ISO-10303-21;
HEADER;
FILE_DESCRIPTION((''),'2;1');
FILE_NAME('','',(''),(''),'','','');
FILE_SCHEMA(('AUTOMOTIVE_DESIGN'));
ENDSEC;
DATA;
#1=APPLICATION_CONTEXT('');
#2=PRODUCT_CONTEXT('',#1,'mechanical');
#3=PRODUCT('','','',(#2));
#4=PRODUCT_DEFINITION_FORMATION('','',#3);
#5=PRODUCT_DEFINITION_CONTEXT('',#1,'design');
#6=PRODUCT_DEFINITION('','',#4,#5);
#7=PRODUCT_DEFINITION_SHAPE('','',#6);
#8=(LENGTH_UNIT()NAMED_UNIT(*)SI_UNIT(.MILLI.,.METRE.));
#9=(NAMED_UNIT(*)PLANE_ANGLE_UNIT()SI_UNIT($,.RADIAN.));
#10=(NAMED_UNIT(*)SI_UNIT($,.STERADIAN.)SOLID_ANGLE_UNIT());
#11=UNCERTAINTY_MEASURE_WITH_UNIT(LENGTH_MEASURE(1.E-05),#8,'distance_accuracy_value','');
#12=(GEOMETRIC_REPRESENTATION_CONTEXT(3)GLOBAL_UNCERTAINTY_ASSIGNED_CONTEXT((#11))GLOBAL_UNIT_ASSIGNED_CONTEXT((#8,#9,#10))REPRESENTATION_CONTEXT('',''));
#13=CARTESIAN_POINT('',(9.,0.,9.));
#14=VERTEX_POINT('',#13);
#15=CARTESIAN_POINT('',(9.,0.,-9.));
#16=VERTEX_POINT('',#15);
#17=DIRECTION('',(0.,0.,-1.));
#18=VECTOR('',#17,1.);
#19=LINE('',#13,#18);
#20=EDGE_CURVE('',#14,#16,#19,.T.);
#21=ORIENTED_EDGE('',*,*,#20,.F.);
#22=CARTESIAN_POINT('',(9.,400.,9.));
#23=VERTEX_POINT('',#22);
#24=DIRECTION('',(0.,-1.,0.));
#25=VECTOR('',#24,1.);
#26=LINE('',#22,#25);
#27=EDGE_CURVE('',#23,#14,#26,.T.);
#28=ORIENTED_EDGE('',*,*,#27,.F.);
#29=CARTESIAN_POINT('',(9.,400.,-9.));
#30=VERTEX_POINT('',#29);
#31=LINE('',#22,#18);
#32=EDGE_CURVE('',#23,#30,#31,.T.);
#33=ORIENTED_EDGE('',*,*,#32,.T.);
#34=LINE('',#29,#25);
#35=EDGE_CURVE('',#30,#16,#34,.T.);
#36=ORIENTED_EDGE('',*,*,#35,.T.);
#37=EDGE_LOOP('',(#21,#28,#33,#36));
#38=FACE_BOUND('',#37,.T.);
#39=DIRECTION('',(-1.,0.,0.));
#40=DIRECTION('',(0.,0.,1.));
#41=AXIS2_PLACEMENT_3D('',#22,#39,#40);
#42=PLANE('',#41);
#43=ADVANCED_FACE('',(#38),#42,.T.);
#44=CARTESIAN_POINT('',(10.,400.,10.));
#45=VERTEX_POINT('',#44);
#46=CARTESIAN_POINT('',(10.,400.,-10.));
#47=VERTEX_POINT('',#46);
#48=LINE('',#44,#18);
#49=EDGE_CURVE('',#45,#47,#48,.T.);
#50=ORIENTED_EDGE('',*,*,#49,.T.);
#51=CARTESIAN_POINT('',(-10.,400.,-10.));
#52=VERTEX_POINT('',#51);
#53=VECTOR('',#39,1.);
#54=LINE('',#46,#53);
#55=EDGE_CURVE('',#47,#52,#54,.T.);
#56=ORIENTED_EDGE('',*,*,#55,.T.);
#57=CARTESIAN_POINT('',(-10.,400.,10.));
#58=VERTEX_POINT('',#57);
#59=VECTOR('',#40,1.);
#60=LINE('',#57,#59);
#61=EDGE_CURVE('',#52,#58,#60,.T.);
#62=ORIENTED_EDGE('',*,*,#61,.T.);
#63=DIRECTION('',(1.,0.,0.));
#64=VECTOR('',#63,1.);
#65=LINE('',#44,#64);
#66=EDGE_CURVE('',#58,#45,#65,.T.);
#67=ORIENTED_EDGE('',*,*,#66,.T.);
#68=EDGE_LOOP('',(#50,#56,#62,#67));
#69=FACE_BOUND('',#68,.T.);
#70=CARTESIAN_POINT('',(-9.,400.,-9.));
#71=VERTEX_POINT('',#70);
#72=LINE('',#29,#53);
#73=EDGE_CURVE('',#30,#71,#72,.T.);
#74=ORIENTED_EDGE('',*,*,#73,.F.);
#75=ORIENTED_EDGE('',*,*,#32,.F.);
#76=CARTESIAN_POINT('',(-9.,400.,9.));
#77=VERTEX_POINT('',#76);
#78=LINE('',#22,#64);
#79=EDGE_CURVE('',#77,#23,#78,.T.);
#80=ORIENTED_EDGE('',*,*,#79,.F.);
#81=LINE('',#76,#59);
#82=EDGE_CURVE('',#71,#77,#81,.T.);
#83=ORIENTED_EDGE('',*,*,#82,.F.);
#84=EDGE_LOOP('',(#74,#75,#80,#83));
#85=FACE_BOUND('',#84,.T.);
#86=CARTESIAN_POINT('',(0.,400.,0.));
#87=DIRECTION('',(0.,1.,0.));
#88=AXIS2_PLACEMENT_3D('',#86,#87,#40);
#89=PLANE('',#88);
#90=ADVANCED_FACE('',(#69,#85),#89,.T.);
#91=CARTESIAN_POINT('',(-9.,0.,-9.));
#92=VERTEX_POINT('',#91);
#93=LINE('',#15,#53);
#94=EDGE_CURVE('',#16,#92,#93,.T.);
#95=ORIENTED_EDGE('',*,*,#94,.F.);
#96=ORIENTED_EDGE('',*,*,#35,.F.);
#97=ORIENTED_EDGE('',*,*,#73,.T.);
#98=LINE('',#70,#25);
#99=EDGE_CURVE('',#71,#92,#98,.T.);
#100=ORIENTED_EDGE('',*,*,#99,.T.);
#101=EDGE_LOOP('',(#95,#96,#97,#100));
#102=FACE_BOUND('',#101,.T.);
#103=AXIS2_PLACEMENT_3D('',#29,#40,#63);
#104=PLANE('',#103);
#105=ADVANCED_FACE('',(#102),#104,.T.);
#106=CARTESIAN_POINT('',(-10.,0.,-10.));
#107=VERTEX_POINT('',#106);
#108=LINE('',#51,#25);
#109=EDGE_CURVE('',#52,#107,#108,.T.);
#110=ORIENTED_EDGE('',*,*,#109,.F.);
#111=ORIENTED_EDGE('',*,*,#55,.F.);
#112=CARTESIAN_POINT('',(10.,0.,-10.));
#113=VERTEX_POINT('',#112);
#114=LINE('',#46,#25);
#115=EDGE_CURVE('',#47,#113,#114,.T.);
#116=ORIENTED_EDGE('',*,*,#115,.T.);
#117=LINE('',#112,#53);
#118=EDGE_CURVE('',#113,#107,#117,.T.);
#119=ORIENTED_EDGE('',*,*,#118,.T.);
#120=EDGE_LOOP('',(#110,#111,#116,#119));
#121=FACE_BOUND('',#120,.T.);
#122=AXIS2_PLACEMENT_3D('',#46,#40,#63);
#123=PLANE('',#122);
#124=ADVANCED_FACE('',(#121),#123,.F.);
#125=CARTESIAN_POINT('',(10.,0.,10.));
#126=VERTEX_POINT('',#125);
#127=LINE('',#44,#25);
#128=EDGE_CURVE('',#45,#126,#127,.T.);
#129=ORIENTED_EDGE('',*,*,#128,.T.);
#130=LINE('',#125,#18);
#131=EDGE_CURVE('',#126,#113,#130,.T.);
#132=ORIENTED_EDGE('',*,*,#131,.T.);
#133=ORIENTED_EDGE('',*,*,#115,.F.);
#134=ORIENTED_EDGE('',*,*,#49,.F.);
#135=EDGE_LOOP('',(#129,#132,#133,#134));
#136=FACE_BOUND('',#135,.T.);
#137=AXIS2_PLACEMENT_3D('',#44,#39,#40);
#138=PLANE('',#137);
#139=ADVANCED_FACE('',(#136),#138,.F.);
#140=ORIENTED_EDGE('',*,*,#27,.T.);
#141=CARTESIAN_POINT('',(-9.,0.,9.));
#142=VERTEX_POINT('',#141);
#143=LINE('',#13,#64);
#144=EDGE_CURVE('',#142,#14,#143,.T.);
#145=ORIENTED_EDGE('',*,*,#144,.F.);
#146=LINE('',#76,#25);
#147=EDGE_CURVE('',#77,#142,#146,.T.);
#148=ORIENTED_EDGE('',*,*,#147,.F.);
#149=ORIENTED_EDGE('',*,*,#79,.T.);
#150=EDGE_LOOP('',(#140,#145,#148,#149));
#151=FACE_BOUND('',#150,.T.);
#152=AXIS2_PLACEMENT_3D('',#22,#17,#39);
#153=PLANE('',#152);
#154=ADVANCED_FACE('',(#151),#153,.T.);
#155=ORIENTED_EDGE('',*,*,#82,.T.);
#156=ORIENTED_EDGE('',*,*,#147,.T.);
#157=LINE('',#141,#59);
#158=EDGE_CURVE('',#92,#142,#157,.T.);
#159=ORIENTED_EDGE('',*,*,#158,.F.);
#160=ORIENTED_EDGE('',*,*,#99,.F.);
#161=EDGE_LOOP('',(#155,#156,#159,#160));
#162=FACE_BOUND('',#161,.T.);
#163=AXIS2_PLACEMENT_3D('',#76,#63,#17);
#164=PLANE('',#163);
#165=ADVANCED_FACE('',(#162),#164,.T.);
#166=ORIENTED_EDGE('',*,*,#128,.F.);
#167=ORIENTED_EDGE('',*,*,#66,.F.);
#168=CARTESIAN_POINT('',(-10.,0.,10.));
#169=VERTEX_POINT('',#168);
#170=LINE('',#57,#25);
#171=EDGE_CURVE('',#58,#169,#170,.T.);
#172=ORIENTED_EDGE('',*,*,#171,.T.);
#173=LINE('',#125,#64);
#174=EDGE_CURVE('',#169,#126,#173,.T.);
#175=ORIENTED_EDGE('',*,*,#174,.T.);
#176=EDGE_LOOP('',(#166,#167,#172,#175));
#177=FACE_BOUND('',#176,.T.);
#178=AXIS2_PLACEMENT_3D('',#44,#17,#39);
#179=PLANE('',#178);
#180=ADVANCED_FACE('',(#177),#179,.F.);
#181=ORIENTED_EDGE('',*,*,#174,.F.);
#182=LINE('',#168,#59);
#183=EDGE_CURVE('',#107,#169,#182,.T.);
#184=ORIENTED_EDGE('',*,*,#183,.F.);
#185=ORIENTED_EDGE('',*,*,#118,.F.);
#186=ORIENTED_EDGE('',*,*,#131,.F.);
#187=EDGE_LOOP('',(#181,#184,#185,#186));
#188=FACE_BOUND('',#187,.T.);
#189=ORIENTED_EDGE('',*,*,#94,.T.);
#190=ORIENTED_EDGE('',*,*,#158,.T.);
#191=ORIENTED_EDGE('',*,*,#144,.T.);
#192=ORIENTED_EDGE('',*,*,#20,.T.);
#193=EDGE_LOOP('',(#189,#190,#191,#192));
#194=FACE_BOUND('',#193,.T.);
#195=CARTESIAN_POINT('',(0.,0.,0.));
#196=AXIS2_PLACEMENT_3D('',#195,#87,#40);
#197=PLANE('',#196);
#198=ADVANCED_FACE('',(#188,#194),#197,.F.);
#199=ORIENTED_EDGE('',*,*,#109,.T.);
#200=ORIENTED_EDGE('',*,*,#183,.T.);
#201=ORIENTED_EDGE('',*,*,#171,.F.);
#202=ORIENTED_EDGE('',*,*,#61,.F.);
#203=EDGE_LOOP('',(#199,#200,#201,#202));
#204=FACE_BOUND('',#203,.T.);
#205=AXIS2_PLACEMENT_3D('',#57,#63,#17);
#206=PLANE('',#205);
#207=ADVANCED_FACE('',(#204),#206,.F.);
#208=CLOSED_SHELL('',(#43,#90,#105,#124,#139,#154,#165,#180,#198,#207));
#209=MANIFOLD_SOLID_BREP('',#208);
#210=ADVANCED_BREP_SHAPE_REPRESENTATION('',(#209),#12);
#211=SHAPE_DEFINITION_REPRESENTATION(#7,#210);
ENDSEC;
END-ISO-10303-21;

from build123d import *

# Parameters (mm, degrees)
ESQUISSE1_W        = 20
ESQUISSE1_H        = 20
ESQUISSE1_W_2      = 18
ESQUISSE1_H_2      = 18
BOSS_EXTRU_1_DEPTH = 400


with BuildPart() as part:
    # Esquisse1 → Boss.-Extru.1 (new body)
    with BuildSketch(Plane(origin=(0, 0, 0), x_dir=(1, 0, 0), z_dir=(0, 1, 0))):
        Rectangle(ESQUISSE1_W, ESQUISSE1_H)
        Rectangle(ESQUISSE1_W_2, ESQUISSE1_H_2, mode=Mode.SUBTRACT)
    extrude(amount=BOSS_EXTRU_1_DEPTH)


solid = part.part
